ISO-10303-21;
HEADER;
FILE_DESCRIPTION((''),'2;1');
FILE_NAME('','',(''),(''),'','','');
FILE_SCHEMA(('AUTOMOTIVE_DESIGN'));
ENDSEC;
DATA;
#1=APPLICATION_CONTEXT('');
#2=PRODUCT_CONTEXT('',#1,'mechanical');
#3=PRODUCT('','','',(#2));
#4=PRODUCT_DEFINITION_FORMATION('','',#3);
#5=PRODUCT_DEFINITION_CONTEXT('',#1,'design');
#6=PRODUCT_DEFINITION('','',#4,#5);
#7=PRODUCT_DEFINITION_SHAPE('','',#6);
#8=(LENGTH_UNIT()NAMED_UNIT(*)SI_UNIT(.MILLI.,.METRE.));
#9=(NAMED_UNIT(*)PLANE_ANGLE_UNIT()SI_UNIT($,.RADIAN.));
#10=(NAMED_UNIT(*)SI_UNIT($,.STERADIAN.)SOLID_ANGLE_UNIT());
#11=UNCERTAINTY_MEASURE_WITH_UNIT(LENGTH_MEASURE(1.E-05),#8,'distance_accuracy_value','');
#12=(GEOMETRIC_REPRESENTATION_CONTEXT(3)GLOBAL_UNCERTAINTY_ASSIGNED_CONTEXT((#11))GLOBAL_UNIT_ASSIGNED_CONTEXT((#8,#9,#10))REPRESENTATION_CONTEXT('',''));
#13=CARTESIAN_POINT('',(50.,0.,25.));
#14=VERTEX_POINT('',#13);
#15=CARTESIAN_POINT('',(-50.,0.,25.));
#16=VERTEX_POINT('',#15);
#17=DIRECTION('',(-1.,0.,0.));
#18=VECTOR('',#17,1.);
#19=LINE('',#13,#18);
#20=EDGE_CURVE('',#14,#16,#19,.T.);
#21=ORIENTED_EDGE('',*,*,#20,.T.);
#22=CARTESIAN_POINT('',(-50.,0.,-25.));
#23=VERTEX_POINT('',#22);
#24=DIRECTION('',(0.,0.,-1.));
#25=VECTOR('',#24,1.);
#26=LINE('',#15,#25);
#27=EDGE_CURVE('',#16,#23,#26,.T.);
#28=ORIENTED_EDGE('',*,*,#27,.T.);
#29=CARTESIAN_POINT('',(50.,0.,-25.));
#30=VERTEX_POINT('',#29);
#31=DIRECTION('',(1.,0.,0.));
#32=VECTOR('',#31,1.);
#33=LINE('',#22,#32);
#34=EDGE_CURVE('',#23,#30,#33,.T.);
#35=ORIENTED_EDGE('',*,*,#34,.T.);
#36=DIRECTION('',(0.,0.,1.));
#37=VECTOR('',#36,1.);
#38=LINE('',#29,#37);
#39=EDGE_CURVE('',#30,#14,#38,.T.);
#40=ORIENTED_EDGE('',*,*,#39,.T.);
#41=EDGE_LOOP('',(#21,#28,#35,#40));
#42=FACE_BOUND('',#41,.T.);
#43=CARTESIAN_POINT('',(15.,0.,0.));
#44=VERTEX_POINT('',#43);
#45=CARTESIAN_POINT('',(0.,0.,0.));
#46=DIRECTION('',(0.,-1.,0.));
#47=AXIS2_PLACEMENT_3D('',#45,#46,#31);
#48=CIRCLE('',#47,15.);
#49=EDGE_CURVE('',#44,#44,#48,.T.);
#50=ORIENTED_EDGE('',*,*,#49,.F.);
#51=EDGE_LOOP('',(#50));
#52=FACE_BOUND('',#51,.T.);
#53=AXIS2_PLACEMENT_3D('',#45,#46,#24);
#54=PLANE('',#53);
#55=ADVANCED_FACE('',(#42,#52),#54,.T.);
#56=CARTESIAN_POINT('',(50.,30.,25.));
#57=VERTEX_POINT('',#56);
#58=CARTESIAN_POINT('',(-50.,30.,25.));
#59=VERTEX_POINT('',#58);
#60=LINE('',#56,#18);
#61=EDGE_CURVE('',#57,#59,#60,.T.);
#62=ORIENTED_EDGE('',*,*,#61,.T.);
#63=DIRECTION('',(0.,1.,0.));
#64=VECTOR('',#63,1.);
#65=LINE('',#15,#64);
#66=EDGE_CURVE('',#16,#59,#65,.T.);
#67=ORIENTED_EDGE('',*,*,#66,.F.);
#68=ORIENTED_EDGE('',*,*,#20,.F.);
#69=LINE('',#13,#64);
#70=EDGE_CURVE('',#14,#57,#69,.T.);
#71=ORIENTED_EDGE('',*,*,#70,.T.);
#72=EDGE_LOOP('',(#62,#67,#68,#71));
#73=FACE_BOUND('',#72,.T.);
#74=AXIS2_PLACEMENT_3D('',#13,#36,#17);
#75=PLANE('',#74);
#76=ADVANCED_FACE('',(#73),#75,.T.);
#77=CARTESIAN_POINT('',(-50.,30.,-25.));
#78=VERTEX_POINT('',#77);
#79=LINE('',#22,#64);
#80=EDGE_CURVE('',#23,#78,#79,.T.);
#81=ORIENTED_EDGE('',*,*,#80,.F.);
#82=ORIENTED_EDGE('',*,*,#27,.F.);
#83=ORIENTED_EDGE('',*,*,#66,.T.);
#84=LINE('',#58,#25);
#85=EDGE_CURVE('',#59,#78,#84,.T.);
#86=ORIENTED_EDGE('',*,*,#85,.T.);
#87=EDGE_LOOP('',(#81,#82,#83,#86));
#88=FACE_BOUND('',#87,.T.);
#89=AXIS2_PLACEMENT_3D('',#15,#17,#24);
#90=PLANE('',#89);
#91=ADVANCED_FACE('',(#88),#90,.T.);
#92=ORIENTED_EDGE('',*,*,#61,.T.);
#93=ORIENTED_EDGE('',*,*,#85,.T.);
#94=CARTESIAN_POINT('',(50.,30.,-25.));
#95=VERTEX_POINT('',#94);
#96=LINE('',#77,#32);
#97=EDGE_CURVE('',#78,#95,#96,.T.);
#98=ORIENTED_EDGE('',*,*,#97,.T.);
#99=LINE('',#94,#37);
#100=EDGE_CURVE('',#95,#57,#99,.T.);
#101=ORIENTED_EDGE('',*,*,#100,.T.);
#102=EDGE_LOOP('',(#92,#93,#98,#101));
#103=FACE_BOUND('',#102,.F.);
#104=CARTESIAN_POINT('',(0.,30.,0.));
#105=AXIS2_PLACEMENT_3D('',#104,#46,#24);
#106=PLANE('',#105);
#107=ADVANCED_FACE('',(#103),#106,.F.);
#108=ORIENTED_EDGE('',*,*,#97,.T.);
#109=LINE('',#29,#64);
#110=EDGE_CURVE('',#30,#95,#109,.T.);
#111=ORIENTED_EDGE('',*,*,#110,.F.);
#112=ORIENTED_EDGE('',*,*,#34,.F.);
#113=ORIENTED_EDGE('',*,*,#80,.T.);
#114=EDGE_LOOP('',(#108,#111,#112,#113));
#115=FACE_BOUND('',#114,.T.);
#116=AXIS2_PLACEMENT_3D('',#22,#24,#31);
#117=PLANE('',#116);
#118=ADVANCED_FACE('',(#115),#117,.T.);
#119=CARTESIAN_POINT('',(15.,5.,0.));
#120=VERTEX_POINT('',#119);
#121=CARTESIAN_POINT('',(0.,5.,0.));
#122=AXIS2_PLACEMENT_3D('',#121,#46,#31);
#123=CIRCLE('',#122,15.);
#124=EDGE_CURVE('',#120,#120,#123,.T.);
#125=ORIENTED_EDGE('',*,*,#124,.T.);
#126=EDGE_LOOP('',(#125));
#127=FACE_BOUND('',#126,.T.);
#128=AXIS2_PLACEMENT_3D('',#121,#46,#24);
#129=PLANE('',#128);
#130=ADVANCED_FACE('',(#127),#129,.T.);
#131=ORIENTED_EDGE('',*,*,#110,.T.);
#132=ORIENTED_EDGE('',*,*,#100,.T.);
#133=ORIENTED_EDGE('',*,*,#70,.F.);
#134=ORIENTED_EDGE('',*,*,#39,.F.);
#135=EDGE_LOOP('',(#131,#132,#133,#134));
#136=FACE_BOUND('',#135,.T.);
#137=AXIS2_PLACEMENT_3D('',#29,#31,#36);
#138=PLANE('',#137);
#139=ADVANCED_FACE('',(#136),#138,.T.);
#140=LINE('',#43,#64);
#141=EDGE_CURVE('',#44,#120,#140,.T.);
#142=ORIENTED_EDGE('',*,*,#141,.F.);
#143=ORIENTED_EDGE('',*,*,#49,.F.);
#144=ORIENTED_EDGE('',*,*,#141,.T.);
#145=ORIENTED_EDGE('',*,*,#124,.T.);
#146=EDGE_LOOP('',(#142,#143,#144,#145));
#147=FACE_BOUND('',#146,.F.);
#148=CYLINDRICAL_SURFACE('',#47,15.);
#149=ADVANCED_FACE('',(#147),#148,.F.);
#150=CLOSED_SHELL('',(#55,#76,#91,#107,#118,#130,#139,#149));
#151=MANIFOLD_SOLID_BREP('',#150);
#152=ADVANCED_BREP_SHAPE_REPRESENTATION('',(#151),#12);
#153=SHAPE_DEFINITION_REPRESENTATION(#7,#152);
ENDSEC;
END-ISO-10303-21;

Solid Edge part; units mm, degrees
sketch "Sketch1" plane through (0, 0, 0) normal (0, -1, 0) x (1, 0, 0)
  line L0 (-50, -25) -> (50, -25)
  line L1 (50, -25) -> (50, 25)
  line L2 (50, 25) -> (-50, 25)
  line L3 (-50, 25) -> (-50, -25)
  dimension "D1" = 100
  dimension "D2" = 50
extrude "Protrusion1" add sketch "Sketch1" against normal blind 30
sketch "Sketch2" plane through (0, 0, 0) normal (0, -1, 0) x (1, 0, 0)
  circle A0 centre (0, 0) radius 15
extrude "Вырез_1" cut sketch "Sketch2" against normal blind 5
